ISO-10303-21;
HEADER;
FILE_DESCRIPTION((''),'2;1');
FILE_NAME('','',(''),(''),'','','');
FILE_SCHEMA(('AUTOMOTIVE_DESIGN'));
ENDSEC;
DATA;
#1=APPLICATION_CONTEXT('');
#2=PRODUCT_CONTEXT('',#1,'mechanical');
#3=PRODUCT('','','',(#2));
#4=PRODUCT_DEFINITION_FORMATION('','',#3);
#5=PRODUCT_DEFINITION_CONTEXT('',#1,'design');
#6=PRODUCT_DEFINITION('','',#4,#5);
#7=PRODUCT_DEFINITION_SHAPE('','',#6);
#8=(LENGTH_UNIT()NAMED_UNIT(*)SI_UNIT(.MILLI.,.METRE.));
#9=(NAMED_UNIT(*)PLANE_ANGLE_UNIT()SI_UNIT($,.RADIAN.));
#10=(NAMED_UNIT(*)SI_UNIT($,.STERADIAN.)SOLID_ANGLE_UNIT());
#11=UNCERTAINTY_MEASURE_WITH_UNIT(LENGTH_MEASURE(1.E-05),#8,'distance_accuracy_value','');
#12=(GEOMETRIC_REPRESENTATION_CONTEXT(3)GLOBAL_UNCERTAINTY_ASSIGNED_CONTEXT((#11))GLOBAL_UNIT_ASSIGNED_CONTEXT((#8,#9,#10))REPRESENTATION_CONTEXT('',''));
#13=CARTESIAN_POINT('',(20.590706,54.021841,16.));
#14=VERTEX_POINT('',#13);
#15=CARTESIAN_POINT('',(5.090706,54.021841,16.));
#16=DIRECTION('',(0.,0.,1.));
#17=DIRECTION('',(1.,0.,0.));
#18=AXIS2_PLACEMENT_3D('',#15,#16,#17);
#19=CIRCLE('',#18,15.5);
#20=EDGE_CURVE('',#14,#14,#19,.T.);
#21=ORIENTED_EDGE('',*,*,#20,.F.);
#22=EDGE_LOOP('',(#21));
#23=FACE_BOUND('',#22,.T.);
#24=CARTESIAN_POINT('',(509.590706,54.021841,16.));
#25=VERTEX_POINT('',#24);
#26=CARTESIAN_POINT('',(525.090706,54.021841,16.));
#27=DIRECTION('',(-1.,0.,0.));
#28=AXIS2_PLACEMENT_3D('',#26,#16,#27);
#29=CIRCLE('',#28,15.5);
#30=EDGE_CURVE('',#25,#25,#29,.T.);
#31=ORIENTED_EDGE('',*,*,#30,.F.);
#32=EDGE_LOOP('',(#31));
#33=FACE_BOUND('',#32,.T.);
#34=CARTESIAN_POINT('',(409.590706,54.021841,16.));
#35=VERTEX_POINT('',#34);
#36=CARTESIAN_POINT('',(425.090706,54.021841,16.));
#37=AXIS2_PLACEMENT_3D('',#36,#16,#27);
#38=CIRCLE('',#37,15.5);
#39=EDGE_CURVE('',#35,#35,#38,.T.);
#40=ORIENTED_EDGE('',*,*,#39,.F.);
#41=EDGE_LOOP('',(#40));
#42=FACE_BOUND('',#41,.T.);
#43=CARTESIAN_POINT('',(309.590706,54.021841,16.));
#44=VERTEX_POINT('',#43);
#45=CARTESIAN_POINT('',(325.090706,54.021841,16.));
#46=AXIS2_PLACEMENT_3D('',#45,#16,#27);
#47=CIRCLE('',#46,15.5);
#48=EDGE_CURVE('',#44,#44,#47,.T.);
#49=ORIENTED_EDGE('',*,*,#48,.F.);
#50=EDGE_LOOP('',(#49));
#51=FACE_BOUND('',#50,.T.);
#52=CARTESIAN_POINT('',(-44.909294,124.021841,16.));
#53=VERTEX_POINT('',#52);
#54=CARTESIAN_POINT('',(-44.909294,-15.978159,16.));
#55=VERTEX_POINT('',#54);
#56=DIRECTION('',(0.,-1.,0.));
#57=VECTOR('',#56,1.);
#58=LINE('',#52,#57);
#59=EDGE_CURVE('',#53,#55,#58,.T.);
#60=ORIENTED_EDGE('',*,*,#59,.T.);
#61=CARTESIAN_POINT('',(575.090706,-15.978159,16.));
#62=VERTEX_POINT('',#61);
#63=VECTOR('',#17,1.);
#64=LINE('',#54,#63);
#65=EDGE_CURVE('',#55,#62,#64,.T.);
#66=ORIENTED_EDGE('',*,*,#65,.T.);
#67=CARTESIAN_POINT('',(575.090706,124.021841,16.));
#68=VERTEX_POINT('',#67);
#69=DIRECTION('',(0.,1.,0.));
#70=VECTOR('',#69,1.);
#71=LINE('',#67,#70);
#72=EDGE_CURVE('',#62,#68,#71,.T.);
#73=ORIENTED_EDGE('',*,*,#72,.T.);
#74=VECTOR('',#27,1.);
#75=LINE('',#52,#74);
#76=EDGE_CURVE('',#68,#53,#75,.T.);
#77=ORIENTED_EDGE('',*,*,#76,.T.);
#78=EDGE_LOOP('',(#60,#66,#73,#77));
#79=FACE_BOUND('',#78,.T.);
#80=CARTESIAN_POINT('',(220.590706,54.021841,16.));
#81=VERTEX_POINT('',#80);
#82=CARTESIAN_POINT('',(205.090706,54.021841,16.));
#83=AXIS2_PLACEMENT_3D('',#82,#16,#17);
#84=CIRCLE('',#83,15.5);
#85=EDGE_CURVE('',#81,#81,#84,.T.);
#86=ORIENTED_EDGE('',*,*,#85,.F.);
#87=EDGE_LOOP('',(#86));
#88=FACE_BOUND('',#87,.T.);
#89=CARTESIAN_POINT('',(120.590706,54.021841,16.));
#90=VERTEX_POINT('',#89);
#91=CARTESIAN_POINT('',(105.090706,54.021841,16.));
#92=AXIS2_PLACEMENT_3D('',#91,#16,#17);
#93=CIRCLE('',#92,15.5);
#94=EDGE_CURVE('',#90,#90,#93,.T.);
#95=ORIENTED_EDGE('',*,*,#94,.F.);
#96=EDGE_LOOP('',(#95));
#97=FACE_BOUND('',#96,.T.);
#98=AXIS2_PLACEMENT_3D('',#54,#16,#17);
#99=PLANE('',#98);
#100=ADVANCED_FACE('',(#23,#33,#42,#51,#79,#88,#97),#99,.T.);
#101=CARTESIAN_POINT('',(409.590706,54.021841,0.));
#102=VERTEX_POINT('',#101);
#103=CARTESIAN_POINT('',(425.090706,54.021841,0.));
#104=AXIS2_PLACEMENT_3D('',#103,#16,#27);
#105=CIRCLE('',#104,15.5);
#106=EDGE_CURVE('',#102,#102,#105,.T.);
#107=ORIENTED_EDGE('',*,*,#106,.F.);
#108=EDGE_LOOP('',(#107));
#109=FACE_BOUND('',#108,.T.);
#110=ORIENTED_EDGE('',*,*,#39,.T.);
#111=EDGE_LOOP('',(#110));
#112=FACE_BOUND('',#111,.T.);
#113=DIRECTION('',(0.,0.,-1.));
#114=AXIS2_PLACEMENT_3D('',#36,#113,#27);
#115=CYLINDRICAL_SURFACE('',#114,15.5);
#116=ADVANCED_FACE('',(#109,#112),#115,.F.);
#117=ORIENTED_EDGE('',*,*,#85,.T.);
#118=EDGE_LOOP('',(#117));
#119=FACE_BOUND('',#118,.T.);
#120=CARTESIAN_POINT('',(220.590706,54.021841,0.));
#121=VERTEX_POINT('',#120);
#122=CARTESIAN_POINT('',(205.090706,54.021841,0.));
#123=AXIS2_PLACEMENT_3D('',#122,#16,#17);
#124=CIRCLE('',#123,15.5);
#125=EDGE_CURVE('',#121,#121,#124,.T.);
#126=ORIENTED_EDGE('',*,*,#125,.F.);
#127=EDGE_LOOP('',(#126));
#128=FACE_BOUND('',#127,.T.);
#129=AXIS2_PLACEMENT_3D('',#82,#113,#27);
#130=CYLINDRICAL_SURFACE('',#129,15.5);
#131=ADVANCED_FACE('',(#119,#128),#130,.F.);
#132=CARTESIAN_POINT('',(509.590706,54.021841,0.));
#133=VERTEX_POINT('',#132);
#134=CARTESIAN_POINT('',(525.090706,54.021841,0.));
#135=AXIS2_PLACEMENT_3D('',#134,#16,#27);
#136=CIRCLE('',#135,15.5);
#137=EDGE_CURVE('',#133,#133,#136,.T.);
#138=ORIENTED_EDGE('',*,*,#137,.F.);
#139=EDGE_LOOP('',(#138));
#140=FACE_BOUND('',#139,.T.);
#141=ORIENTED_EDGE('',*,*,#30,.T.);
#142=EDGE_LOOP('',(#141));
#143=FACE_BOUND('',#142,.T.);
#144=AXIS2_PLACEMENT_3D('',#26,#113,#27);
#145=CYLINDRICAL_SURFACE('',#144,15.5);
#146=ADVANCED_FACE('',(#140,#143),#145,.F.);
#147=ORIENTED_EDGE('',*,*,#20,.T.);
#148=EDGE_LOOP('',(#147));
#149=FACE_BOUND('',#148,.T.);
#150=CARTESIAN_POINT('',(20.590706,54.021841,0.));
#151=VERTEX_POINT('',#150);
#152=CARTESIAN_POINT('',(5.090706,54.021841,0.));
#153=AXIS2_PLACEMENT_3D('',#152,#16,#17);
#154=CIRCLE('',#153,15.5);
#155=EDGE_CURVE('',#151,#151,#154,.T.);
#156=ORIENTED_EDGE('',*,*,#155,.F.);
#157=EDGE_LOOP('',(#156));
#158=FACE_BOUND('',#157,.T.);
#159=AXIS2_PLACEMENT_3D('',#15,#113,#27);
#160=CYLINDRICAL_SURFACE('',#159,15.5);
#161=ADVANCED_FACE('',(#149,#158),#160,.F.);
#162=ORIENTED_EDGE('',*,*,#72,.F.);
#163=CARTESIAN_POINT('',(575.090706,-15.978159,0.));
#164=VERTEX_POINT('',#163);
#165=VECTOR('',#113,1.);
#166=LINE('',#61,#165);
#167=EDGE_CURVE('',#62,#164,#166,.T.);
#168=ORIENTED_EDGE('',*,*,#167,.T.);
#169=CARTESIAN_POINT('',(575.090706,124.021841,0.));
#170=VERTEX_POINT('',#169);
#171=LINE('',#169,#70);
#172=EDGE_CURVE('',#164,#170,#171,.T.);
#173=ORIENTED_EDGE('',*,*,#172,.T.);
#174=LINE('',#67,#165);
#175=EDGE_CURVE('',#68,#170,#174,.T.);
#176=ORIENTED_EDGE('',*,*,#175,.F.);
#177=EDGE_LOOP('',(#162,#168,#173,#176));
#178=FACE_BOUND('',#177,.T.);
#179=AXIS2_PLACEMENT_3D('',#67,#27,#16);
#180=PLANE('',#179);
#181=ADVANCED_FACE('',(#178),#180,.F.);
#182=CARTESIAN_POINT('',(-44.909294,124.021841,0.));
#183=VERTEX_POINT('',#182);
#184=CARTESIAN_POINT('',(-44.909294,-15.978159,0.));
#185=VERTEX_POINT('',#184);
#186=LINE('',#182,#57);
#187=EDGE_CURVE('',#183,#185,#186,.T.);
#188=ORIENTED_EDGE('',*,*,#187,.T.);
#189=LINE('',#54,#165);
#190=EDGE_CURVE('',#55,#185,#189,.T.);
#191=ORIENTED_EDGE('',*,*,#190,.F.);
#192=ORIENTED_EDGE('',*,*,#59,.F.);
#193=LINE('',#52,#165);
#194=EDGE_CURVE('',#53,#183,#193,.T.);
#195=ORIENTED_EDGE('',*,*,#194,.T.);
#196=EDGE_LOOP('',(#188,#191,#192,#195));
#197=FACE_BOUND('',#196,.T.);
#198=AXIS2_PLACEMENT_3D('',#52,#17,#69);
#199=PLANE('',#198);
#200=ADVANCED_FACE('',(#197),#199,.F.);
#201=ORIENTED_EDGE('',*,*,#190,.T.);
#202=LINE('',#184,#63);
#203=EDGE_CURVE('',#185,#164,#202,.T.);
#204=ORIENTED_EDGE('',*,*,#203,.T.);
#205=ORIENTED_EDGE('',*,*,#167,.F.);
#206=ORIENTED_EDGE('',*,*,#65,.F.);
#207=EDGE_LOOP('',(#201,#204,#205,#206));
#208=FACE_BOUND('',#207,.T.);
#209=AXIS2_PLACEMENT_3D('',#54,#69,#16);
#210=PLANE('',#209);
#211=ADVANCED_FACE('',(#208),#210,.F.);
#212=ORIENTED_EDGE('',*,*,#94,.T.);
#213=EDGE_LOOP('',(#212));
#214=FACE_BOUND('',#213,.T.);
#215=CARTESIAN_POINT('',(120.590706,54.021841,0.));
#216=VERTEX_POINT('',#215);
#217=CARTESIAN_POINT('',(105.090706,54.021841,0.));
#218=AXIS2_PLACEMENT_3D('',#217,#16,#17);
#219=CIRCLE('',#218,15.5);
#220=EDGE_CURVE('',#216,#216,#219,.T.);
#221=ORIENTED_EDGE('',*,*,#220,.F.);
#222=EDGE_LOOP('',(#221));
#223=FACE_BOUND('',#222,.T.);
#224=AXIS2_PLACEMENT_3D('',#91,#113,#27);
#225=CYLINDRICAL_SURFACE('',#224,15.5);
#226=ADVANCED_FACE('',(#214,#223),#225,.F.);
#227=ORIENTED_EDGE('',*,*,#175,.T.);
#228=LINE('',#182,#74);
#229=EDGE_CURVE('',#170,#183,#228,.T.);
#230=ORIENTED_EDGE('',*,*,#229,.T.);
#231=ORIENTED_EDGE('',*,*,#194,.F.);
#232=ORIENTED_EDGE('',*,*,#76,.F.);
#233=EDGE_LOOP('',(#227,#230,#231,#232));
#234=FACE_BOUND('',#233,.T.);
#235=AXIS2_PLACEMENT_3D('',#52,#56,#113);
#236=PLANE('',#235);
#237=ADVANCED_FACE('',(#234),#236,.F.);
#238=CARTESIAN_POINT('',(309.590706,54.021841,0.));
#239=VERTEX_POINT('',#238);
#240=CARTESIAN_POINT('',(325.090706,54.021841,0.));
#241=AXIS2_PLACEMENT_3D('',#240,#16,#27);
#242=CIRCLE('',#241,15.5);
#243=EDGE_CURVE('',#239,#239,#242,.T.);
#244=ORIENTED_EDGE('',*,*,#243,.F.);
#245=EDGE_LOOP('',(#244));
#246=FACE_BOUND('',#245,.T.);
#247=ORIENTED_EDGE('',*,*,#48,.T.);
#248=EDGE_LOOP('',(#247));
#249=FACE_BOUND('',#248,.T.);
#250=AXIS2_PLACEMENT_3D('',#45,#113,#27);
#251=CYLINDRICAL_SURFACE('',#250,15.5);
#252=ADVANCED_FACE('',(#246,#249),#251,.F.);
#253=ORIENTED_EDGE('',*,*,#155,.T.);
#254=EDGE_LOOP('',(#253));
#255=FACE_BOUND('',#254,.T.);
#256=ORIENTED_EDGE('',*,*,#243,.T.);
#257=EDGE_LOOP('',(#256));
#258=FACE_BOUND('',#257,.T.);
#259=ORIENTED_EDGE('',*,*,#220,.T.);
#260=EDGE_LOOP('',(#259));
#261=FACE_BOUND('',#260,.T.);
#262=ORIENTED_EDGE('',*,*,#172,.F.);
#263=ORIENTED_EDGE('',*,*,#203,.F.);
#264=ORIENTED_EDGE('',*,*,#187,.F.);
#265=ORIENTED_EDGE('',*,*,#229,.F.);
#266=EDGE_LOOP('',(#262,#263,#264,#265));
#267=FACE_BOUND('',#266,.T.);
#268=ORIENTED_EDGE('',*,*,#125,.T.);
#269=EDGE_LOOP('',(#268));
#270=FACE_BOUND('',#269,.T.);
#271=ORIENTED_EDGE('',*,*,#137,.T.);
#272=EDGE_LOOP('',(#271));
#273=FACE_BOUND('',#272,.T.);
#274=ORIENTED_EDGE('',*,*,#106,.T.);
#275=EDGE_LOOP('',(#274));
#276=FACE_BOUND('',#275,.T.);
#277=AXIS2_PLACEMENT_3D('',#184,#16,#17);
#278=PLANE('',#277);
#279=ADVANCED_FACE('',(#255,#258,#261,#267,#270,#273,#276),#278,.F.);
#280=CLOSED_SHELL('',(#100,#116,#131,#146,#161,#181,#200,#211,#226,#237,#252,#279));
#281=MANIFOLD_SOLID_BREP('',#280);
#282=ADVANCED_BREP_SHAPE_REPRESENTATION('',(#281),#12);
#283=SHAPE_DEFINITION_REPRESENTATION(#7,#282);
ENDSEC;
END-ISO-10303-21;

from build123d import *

# Parameters (mm, degrees)
SKETCH_1_W      = 620
SKETCH_1_H      = 140
SKETCH_1_R      = 15.5
EXTRUDE_1_DEPTH = 16


with BuildPart() as part:
    # 草图1 → 拉伸1 (new body)
    with BuildSketch(Plane.XY):
        with Locations((265.090705794, 54.021841155)):
            Rectangle(SKETCH_1_W, SKETCH_1_H)
        with Locations((5.090705794, 54.021841155)):
            Circle(SKETCH_1_R, mode=Mode.SUBTRACT)
        with Locations((205.090705794, 54.021841155)):
            Circle(SKETCH_1_R, mode=Mode.SUBTRACT)
        with Locations((105.090705794, 54.021841155)):
            Circle(SKETCH_1_R, mode=Mode.SUBTRACT)
        with Locations(Location((425.090705794, 54.021841155, 0), (0, 0, 180))):
            Circle(SKETCH_1_R, mode=Mode.SUBTRACT)
        with Locations(Location((325.090705794, 54.021841155, 0), (0, 0, 180))):
            Circle(SKETCH_1_R, mode=Mode.SUBTRACT)
        with Locations(Location((525.090705794, 54.021841155, 0), (0, 0, 180))):
            Circle(SKETCH_1_R, mode=Mode.SUBTRACT)
    extrude(amount=EXTRUDE_1_DEPTH)


solid = part.part
